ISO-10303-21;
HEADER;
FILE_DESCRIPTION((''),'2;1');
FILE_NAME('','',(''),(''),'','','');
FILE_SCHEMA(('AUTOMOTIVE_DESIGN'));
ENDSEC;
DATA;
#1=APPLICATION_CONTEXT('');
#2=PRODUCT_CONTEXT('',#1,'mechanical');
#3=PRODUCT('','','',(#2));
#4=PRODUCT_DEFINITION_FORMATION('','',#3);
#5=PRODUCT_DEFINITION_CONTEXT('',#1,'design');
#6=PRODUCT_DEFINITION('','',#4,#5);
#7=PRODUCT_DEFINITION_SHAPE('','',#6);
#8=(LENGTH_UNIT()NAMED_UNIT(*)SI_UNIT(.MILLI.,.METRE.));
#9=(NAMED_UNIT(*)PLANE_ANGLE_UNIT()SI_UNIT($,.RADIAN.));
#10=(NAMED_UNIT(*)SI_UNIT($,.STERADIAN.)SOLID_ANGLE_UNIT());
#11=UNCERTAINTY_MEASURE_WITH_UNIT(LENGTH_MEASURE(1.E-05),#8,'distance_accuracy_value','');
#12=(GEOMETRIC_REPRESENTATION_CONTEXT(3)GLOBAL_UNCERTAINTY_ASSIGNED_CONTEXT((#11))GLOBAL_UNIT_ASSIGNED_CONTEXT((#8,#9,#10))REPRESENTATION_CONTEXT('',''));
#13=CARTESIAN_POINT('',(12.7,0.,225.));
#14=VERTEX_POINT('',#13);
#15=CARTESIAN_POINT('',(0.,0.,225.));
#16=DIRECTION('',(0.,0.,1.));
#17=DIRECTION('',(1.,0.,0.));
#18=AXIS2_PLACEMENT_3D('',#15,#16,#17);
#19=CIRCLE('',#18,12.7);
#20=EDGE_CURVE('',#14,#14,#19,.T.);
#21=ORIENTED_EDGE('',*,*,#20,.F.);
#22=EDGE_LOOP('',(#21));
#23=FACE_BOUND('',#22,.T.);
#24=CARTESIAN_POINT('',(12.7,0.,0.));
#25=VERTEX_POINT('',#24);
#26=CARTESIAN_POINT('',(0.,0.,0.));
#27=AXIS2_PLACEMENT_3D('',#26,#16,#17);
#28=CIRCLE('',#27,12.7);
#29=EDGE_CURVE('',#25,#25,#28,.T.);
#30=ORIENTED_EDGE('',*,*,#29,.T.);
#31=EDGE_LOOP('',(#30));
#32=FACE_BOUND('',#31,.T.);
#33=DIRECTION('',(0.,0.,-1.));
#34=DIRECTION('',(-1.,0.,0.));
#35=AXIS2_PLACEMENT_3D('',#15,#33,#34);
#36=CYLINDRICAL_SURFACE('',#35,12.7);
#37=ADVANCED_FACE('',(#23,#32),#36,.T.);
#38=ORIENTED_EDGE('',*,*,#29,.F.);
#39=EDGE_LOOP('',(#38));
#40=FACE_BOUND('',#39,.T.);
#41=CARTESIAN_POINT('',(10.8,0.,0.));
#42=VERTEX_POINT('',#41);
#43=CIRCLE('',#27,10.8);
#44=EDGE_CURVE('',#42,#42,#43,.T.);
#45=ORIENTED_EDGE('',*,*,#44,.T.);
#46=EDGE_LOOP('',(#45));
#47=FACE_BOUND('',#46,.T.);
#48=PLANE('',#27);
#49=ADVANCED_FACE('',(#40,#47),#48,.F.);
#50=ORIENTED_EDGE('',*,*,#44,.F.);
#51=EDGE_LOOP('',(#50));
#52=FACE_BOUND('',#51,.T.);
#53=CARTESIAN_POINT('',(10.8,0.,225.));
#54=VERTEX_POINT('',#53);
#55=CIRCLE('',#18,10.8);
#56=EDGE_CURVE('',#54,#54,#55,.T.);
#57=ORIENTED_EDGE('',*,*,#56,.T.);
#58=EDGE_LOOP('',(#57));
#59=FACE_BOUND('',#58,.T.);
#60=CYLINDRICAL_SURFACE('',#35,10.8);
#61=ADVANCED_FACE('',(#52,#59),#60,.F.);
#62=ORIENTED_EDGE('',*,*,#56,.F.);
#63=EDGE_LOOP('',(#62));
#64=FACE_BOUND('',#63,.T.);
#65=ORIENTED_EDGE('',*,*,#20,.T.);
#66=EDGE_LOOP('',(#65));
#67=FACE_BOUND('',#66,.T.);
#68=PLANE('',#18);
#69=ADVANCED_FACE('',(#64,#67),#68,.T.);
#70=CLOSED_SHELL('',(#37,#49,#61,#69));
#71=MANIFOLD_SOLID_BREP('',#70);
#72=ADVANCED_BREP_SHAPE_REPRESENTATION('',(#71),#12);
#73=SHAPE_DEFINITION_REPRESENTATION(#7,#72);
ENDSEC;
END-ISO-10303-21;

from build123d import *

# Parameters (mm, degrees)
ESBO_O1_R                = 12.7
ESBO_O1_R_2              = 10.8
RESSALTO_EXTRUS_O1_DEPTH = 225


with BuildPart() as part:
    # Esboço1 → Ressalto-extrusão1 (new body)
    with BuildSketch(Plane.XY):
        Circle(ESBO_O1_R)
        Circle(ESBO_O1_R_2, mode=Mode.SUBTRACT)
    extrude(amount=RESSALTO_EXTRUS_O1_DEPTH)


solid = part.part
